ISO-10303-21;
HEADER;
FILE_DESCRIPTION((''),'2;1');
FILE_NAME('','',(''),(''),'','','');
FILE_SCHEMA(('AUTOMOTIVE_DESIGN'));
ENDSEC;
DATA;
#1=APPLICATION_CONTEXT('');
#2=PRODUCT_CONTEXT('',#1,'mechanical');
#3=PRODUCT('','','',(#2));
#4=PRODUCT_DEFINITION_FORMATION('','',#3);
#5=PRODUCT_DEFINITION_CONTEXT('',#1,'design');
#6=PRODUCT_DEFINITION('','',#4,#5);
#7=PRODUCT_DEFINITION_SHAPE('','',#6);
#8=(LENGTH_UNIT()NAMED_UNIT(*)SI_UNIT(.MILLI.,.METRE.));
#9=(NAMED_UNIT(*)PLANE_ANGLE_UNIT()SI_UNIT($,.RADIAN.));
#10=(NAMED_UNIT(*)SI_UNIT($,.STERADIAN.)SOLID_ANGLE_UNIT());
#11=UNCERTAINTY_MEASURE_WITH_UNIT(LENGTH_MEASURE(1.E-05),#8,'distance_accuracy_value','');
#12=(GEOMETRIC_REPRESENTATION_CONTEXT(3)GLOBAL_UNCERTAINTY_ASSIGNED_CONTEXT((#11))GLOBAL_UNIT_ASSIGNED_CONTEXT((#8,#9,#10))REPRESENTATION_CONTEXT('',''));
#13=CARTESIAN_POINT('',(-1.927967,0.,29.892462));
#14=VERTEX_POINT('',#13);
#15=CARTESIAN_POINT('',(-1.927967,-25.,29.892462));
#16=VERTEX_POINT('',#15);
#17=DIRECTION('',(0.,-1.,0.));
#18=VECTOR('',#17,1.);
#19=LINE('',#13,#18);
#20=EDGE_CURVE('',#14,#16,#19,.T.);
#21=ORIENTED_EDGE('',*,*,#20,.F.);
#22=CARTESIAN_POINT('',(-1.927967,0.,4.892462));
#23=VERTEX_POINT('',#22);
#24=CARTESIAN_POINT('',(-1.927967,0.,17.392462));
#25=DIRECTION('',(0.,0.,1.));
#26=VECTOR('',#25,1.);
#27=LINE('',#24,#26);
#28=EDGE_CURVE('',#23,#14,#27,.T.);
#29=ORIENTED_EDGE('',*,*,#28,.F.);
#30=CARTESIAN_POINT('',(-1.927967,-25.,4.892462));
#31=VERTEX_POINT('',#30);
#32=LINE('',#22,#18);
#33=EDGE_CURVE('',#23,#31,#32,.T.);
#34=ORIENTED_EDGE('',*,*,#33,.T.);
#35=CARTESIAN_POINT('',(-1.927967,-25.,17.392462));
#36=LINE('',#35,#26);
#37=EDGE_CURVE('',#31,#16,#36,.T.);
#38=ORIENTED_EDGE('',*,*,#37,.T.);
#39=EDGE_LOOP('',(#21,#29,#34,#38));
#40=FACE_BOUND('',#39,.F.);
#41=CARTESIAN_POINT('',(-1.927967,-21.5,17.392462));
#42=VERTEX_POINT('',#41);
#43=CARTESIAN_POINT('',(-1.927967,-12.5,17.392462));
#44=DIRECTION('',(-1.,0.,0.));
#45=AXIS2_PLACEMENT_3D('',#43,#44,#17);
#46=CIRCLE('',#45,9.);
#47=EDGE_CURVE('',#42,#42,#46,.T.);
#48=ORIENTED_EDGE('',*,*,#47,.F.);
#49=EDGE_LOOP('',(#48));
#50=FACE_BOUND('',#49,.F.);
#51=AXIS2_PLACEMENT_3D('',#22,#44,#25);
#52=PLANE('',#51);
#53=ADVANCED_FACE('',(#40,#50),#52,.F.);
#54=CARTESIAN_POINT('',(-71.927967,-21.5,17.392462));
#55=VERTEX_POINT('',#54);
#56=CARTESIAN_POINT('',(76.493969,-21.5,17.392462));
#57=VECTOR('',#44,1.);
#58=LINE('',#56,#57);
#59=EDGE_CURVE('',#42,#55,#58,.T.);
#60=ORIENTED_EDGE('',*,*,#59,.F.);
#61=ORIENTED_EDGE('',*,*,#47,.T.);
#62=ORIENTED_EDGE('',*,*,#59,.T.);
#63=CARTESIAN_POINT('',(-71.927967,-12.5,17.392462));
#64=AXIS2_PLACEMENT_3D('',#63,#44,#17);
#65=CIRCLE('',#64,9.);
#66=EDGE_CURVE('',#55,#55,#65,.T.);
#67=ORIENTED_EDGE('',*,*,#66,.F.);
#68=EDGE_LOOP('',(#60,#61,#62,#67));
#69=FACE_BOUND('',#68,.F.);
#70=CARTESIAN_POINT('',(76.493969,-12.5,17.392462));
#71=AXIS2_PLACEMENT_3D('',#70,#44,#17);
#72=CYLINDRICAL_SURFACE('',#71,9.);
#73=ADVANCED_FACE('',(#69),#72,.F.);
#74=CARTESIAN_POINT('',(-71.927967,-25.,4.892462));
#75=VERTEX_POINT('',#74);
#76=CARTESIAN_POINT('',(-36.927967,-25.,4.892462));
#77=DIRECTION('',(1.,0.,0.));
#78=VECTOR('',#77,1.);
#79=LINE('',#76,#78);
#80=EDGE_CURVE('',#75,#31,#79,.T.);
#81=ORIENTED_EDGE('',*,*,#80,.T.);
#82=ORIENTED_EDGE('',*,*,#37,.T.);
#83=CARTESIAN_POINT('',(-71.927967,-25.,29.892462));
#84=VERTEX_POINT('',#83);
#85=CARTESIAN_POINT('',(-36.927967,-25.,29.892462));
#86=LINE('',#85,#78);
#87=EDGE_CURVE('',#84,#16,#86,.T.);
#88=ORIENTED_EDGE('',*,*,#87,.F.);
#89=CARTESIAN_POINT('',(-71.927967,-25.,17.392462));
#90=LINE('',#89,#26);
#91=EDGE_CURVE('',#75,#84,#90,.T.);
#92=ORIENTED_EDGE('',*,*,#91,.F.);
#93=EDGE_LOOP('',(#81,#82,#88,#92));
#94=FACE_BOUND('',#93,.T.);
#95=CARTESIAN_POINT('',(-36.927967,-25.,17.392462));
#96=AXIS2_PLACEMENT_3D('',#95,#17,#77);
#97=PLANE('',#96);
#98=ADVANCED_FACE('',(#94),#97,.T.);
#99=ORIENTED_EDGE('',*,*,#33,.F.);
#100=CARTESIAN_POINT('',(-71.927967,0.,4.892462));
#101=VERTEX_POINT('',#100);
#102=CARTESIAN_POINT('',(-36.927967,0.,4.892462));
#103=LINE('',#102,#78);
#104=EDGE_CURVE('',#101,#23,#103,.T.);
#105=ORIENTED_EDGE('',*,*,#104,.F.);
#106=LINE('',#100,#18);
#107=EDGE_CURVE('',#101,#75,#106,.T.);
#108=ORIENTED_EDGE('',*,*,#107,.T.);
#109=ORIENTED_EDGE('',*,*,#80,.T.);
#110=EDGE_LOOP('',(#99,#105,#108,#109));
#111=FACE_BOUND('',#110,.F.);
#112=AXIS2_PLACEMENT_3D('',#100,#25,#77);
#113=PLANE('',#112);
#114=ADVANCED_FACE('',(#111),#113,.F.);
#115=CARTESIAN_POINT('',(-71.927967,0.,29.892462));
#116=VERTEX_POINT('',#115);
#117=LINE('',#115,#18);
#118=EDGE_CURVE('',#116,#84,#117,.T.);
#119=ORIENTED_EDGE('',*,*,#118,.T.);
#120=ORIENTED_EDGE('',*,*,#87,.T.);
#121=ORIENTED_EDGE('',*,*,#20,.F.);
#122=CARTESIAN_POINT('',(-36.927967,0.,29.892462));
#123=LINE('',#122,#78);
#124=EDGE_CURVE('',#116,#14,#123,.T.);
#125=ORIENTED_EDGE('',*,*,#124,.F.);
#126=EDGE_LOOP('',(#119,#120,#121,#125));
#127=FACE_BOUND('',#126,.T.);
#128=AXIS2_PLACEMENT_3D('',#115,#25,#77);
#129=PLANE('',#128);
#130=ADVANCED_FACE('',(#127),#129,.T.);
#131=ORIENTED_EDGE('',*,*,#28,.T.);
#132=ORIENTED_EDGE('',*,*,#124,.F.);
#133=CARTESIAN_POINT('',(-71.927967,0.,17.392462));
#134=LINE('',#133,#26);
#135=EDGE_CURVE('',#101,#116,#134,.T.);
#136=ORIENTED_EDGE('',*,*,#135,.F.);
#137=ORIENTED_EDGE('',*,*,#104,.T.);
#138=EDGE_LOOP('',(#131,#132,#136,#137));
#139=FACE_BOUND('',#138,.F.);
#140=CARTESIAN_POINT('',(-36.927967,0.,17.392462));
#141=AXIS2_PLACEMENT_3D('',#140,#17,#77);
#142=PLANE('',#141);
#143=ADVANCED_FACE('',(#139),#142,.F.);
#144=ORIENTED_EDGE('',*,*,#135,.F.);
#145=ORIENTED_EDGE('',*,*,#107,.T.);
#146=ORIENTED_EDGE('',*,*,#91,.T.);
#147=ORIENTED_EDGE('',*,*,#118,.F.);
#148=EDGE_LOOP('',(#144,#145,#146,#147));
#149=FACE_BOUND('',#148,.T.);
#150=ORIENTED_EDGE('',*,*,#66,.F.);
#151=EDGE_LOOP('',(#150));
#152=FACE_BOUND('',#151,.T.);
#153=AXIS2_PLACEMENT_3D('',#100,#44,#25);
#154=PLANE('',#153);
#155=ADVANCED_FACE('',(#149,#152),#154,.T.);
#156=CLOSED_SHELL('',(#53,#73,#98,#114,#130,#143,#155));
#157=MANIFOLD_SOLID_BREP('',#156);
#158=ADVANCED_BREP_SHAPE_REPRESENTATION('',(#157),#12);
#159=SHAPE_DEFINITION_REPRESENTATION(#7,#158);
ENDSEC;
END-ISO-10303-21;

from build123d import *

# Parameters (mm, degrees)
F0_W     = 70
F0_H     = 25
F1_DEPTH = 25
F3_D     = 18


with BuildPart() as f1:
    # F0 (on Front) → F1 (new body)
    with BuildSketch(Plane.XZ):
        with Locations((-36.927967, 17.392462)):
            Rectangle(F0_W, F0_H)
    extrude(amount=F1_DEPTH)

    # F3 (through all)
    with Locations(Plane.YZ.offset(-1.927967)):
        with Locations((-12.5, 17.392462)):
            Hole(F3_D / 2)


solid = f1.part
